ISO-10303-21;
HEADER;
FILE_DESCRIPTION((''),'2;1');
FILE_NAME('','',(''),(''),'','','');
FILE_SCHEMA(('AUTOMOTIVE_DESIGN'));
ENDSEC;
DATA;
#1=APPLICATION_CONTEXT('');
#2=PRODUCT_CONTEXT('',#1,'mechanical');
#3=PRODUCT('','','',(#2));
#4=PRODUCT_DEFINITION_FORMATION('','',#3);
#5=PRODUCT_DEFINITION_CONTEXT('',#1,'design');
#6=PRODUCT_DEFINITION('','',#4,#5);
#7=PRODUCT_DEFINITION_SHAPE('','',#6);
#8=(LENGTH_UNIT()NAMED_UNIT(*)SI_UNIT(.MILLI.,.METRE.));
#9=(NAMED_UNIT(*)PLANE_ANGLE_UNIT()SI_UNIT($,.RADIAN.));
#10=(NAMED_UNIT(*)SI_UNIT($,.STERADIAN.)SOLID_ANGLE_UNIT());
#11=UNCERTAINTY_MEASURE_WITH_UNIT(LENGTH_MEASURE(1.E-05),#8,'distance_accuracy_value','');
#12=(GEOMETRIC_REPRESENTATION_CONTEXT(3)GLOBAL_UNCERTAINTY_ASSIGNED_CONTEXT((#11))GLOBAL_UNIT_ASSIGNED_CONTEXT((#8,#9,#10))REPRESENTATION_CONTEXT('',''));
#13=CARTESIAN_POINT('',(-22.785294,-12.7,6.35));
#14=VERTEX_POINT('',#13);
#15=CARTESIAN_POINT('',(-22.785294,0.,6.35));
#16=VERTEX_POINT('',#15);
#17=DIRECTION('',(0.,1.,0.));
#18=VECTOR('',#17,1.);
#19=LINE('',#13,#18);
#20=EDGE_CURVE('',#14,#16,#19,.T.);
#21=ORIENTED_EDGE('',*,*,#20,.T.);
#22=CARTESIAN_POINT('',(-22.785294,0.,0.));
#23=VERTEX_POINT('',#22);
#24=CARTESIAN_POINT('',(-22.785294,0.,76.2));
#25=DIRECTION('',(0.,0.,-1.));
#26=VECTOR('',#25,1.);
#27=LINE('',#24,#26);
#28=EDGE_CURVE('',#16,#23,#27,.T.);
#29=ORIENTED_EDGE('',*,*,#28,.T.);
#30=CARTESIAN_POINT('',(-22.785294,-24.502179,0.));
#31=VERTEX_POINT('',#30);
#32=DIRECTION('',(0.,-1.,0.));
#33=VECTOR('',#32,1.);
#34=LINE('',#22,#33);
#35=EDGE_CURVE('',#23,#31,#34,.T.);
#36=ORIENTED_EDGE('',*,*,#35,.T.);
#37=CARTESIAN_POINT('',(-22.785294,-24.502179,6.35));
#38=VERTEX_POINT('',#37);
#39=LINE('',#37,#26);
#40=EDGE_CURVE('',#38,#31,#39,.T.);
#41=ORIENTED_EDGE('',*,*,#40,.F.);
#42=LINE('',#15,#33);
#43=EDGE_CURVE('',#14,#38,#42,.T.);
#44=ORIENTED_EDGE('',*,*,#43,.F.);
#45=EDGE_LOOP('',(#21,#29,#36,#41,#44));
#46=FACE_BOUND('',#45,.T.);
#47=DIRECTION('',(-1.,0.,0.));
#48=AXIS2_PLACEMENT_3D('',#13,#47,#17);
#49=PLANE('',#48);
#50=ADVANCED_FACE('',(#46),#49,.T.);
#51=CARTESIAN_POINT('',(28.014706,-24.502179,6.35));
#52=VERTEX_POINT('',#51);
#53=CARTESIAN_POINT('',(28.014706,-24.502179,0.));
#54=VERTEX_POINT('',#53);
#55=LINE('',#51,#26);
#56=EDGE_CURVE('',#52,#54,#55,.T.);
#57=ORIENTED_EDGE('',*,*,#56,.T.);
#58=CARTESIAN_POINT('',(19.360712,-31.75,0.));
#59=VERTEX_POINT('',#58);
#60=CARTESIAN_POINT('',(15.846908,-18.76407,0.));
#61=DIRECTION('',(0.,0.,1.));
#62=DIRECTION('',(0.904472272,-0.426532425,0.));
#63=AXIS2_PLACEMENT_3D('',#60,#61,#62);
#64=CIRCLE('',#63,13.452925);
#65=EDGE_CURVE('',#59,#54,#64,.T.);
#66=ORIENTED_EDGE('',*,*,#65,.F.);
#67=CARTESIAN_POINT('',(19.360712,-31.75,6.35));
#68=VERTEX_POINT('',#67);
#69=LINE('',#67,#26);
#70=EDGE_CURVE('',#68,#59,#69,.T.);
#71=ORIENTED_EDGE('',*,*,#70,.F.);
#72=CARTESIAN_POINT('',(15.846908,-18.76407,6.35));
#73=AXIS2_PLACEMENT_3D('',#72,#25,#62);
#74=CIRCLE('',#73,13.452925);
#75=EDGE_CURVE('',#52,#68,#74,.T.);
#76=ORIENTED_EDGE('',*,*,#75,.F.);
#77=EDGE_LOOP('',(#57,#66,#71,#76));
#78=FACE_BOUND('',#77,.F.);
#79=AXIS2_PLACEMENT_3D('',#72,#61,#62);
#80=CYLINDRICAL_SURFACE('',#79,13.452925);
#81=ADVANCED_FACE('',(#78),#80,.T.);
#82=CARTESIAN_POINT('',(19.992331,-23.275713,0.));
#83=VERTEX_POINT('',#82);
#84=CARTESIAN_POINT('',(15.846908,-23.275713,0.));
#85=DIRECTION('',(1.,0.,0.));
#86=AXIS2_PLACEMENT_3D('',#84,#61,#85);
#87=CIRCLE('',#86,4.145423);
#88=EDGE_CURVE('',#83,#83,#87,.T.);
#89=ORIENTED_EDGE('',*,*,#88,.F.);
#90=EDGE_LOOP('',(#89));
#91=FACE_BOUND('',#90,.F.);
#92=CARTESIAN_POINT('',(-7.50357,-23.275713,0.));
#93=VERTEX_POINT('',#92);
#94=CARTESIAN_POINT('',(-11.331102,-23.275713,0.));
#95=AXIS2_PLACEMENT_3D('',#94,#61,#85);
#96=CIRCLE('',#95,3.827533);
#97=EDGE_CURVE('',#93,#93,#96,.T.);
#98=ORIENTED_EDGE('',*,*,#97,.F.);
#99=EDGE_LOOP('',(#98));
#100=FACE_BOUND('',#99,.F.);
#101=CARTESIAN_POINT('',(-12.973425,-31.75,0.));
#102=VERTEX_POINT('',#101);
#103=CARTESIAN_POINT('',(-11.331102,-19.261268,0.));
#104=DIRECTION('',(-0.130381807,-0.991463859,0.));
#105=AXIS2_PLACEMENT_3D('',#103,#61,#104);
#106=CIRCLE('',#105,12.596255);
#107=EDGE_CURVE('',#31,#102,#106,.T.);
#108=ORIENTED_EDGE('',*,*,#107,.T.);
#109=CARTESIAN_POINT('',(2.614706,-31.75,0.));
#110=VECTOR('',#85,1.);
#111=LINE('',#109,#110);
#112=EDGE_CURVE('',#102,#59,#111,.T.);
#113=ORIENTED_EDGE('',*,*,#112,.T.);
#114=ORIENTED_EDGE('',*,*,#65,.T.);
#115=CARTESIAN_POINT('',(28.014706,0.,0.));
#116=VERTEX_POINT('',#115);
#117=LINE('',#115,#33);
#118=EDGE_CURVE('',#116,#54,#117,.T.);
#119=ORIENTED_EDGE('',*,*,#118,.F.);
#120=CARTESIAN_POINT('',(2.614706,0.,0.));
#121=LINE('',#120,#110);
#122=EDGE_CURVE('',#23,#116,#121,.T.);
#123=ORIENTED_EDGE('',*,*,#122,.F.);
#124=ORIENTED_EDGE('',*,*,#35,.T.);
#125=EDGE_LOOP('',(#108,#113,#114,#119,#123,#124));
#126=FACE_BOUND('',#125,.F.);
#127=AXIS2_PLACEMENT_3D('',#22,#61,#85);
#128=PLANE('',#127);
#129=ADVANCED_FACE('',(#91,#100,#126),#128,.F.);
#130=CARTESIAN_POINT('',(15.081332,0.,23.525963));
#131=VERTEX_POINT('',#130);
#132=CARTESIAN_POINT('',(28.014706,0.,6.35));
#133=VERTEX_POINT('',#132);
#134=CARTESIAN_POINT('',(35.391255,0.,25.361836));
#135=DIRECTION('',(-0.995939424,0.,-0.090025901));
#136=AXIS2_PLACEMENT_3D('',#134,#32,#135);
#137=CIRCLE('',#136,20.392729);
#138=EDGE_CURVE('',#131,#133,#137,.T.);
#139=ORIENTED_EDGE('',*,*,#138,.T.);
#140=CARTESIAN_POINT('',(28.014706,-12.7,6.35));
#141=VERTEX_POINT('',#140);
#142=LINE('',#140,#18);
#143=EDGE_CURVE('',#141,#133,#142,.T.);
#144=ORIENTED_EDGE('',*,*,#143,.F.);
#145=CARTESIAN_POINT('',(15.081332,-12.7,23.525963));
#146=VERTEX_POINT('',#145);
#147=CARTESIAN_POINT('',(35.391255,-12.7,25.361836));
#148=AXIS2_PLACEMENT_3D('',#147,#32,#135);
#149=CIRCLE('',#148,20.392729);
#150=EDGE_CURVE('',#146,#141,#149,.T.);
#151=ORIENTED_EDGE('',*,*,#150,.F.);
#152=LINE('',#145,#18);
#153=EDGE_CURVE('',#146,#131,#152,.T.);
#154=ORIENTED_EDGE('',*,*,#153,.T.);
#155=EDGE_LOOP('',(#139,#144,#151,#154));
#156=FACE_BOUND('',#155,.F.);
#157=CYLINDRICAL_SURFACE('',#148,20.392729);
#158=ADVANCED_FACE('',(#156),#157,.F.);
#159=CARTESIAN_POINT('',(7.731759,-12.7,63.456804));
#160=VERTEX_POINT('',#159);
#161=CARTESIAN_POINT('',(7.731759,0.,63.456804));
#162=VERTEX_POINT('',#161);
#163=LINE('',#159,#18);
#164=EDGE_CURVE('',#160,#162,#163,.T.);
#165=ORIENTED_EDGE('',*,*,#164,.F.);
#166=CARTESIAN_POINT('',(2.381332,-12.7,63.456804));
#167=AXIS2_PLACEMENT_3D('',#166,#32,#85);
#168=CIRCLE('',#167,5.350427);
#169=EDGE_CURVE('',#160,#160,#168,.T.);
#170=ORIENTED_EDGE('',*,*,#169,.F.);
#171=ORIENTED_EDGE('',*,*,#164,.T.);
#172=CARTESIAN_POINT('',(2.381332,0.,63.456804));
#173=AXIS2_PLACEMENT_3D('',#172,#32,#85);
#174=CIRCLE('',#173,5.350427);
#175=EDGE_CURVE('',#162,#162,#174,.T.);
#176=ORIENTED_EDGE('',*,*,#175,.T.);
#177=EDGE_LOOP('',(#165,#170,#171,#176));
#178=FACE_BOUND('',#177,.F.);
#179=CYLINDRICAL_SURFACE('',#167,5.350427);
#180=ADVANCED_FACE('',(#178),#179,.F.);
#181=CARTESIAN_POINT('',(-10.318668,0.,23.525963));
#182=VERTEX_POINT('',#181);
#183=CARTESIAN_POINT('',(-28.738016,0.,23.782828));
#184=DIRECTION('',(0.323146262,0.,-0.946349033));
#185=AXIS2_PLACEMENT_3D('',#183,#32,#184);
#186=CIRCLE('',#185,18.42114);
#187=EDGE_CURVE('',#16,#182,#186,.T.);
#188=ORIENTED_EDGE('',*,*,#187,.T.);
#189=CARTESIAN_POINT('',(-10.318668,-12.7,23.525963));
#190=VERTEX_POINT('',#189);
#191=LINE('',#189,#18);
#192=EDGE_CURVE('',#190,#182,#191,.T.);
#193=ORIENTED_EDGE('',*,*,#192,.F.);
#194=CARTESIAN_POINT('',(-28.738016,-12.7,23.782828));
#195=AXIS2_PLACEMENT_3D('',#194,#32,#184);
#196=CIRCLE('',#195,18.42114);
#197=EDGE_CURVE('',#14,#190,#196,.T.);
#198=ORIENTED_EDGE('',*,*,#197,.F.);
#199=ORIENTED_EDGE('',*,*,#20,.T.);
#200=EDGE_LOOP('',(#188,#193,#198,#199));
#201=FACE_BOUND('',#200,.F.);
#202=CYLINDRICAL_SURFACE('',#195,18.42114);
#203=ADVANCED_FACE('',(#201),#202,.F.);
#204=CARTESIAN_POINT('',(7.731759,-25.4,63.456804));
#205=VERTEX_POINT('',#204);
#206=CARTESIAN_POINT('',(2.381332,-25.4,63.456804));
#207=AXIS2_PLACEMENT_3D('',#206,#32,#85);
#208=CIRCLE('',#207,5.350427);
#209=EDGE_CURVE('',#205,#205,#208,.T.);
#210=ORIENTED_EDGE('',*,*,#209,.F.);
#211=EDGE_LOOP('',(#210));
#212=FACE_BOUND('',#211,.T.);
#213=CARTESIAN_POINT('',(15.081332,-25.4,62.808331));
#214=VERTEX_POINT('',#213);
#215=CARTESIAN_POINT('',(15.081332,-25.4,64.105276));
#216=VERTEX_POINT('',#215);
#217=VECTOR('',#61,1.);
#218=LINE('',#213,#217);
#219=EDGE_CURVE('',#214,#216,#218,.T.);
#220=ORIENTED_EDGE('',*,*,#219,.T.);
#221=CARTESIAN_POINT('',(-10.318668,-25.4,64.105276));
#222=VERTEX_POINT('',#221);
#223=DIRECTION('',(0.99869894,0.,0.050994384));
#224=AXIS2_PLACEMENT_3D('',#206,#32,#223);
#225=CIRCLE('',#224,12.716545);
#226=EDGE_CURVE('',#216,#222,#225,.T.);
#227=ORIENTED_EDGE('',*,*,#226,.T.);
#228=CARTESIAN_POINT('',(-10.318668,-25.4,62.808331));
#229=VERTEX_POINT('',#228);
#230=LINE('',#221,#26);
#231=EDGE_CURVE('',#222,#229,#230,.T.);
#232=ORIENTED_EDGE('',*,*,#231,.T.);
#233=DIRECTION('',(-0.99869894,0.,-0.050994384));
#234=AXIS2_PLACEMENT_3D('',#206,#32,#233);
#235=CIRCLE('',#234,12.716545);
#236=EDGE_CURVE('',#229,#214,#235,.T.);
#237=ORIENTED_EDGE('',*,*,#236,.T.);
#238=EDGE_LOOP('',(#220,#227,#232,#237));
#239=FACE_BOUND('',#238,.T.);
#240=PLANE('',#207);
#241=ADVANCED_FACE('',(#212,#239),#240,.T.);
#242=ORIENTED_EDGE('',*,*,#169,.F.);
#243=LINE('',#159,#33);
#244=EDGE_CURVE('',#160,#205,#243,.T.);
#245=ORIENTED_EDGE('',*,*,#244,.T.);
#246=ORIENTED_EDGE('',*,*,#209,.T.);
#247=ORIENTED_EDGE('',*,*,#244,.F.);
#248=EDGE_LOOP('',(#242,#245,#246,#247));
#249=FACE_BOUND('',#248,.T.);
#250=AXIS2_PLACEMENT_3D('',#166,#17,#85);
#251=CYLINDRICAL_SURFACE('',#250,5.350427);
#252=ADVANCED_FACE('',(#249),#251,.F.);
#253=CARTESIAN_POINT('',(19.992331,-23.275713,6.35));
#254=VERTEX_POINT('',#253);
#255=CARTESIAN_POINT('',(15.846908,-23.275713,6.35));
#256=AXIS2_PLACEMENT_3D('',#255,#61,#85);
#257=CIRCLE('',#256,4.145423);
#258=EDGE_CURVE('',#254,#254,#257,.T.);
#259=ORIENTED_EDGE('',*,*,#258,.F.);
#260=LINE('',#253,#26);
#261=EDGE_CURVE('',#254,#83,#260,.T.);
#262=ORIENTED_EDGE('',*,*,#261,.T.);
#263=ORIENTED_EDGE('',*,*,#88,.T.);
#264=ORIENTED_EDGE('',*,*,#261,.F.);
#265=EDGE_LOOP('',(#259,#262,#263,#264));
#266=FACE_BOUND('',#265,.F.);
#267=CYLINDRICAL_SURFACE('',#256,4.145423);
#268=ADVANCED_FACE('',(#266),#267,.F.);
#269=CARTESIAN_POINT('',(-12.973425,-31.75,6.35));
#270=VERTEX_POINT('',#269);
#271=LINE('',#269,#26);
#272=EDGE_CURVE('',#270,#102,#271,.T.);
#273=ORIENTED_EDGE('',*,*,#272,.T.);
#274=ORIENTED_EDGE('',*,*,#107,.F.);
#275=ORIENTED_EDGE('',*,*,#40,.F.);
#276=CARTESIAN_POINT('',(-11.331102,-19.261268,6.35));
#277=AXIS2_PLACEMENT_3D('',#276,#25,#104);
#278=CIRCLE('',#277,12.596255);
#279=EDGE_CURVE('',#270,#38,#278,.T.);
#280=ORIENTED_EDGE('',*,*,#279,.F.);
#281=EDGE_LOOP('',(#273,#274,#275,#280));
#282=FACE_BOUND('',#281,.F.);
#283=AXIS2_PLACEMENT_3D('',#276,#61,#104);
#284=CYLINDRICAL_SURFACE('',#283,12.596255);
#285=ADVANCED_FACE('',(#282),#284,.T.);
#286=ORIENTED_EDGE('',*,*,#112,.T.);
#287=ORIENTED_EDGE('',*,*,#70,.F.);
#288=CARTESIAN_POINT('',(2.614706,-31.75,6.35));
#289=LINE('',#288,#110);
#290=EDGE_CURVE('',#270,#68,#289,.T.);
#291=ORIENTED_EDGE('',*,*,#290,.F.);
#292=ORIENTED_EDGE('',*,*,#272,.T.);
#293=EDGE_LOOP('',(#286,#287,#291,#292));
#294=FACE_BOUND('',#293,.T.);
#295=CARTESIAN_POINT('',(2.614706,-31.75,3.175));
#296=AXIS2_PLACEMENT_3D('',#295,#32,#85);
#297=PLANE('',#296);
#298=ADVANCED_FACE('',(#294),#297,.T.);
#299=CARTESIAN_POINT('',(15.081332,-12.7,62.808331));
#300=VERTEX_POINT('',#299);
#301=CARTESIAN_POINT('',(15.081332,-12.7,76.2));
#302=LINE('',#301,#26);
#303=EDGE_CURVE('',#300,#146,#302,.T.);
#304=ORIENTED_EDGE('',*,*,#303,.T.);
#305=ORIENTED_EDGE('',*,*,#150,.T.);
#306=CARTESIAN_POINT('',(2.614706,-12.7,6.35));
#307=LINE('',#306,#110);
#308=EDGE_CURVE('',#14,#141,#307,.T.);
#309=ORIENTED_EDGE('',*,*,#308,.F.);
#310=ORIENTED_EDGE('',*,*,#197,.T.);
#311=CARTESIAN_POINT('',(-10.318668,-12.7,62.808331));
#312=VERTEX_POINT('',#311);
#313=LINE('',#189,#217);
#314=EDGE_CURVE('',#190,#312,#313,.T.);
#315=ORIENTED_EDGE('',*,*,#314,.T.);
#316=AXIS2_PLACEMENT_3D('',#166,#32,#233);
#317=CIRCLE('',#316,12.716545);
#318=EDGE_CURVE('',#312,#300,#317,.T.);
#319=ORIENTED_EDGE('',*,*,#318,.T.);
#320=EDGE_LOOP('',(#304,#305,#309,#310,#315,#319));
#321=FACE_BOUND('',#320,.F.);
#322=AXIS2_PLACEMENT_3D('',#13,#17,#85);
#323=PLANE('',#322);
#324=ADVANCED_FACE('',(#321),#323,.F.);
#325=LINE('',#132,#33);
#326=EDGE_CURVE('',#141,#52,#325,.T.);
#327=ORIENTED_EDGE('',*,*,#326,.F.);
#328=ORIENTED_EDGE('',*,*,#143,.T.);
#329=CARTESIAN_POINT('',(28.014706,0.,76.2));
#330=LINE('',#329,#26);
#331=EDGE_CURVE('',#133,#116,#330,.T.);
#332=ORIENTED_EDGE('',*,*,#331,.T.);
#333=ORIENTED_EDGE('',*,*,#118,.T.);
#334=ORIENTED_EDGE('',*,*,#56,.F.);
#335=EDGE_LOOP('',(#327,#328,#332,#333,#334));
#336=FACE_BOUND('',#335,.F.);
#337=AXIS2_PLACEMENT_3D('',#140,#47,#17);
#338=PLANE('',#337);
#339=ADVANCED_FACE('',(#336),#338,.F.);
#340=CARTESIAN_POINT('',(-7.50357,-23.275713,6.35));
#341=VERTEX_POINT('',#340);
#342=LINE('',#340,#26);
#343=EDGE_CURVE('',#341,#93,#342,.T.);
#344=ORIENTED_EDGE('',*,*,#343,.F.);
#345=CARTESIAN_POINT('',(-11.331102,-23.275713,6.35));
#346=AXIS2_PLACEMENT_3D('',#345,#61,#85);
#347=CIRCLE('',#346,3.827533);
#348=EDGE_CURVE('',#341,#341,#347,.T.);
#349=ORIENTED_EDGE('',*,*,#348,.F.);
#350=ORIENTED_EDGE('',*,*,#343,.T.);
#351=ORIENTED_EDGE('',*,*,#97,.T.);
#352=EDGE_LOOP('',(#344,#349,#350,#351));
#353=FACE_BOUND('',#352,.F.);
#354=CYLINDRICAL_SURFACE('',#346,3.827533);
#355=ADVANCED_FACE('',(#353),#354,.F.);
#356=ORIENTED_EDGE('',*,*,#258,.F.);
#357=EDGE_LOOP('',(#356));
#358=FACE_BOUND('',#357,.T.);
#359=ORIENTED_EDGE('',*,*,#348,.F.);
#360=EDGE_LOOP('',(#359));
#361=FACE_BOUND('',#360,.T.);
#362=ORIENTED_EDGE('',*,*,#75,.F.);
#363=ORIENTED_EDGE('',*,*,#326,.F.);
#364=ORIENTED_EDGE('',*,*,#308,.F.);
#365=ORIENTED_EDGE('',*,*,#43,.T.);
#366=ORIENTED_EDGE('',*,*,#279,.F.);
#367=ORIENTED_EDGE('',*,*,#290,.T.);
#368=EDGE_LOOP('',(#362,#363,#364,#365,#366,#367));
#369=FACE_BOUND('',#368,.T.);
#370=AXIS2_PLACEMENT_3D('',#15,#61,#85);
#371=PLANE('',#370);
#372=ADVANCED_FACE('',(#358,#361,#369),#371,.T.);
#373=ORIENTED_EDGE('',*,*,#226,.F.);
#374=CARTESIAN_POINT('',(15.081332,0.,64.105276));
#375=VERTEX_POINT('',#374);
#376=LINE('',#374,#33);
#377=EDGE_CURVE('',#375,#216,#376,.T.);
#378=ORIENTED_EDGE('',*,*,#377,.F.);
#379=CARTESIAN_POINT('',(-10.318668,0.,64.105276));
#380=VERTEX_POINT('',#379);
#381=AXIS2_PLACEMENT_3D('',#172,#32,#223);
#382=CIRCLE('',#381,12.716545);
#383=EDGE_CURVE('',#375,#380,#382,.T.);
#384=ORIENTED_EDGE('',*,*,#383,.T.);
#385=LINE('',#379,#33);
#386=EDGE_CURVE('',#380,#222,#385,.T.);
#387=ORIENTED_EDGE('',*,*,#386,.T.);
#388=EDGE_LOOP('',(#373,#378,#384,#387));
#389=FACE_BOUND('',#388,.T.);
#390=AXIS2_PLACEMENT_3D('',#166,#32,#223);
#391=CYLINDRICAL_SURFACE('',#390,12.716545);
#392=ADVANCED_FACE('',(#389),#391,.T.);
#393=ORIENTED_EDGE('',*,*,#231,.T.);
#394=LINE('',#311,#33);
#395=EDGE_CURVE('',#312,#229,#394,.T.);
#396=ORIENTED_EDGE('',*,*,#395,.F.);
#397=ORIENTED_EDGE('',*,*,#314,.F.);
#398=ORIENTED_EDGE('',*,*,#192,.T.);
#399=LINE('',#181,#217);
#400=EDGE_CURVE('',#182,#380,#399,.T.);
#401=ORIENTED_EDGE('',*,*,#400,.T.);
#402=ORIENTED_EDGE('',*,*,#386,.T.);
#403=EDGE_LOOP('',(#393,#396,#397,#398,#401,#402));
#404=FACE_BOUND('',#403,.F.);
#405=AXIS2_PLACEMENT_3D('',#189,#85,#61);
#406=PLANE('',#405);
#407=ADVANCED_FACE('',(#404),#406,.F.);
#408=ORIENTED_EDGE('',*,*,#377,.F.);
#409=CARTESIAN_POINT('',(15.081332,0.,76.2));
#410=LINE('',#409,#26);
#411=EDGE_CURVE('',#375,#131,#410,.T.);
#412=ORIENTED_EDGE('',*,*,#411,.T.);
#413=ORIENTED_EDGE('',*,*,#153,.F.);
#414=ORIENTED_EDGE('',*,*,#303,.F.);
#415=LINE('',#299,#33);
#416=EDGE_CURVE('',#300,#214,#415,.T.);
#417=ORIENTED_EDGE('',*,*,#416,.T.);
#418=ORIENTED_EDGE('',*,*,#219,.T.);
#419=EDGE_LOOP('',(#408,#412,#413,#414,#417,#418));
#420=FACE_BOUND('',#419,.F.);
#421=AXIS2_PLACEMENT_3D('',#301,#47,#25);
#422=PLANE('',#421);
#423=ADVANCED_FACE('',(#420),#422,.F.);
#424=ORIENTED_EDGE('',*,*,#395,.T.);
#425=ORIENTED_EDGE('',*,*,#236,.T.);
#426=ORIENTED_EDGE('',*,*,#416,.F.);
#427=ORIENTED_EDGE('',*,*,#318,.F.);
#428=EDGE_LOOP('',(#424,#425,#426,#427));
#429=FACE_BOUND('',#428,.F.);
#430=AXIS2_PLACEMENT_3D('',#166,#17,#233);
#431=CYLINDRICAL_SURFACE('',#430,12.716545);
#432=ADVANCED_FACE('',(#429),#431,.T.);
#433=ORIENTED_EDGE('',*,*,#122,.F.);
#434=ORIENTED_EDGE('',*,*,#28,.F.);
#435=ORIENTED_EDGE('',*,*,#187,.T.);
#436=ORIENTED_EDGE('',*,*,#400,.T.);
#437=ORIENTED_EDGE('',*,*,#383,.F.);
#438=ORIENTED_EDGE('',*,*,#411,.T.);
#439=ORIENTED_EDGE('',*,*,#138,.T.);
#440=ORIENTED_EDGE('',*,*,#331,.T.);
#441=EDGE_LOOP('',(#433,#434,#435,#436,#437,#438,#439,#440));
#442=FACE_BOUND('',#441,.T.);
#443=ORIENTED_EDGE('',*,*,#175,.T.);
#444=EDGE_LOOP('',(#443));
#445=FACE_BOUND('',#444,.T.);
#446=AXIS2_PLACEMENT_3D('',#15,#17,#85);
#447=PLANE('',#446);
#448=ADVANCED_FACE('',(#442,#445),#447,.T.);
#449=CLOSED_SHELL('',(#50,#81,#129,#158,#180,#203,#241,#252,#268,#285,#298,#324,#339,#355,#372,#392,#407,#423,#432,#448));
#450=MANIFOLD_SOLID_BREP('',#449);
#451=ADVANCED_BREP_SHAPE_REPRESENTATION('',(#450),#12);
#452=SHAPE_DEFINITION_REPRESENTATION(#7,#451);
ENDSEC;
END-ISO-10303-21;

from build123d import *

# Parameters (mm, degrees)
F0_W      = 50.8
F0_H      = 6.35
F1_DEPTH  = 31.75
F2_W      = 50.8
F2_H      = 12.7
F3_DEPTH  = 69.85
F4_R      = 4.1454227759
F4_R_2    = 3.8275327049
F5_DEPTH  = 12.7
F7_DEPTH  = 12.7
F8_R      = 5.3504269389
F9_DEPTH  = 12.7
F10_DEPTH = 12.7


with BuildPart() as f1:
    # F0 (on Front) → F1 (new body)
    with BuildSketch(Plane.XZ):
        with Locations((2.6147060619, 3.175)):
            Rectangle(F0_W, F0_H)
    extrude(amount=F1_DEPTH)

    # F2 (on face) → F3 (join)
    with BuildSketch(Plane.XY.offset(6.35)):
        with Locations((2.6147060619, -6.35)):
            Rectangle(F2_W, F2_H)
    extrude(amount=F3_DEPTH)

    # F4 (on face) → F5 (cut)
    with BuildSketch(Plane.XY.offset(6.35)):
        with Locations((15.8469081592, -23.275712505)):
            Circle(F4_R)
        with Locations((-11.3311024653, -23.275712505)):
            Circle(F4_R_2)
        with BuildLine():
            ThreePointArc((-12.9734249786, -31.75), (-18.8152455834, -29.3930620602), (-22.7852939381, -24.5021786541))
            Line((-22.7852939381, -24.5021786541), (-22.7852939381, -31.75))
            Line((-22.7852939381, -31.75), (-12.9734249786, -31.75))
        make_face()
        with BuildLine():
            ThreePointArc((28.0147060619, -24.5021786541), (24.4846674342, -29.0776682905), (19.3607117981, -31.75))
            Line((19.3607117981, -31.75), (28.0147060619, -31.75))
            Line((28.0147060619, -31.75), (28.0147060619, -24.5021786541))
        make_face()
    extrude(amount=-F5_DEPTH, mode=Mode.SUBTRACT)

    # F6 (on face) → F7 (cut)
    with BuildSketch(Plane.XZ.offset(12.7)):
        with BuildLine():
            Line((-22.7852939381, 76.2), (-22.7852939381, 6.35))
            ThreePointArc((-22.7852939381, 6.35), (-13.8298680574, 12.9622223367), (-10.3186676279, 23.5259626061))
            Line((-10.3186676279, 23.5259626061), (-10.3186676279, 76.2))
            Line((-10.3186676279, 76.2), (-22.7852939381, 76.2))
        make_face()
        with BuildLine():
            ThreePointArc((15.0813323721, 23.5259626061), (19.1005030761, 13.0950196253), (28.0147060619, 6.35))
            Line((28.0147060619, 6.35), (28.0147060619, 76.2))
            Line((28.0147060619, 76.2), (15.0813323721, 76.2))
            Line((15.0813323721, 76.2), (15.0813323721, 23.5259626061))
        make_face()
    extrude(amount=-F7_DEPTH, mode=Mode.SUBTRACT)

    # F8 (on face) → F9 (join)
    with BuildSketch(Plane.XZ.offset(12.7)):
        with BuildLine():
            Line((15.0813323721, 62.8083311773), (15.0813323721, 64.1052759432))
            ThreePointArc((15.0813323721, 64.1052759432), (2.3813323721, 76.1733485482), (-10.3186676279, 64.1052759432))
            Line((-10.3186676279, 64.1052759432), (-10.3186676279, 62.8083311773))
            ThreePointArc((-10.3186676279, 62.8083311773), (2.3813323721, 50.7402585723), (15.0813323721, 62.8083311773))
        make_face()
        with Locations((2.3813323721, 63.4568035603)):
            Circle(F8_R, mode=Mode.SUBTRACT)
    extrude(amount=F9_DEPTH)

    # F10 (cut): faces of the model
    f10_faces = [f1.faces().sort_by_distance(p)[0] for p in [
        (14.8000065201, -12.7, 70.1526379716),
        (2.3813323721, -12.7, 63.4568035603),
    ]]
    extrude(f10_faces, amount=-F10_DEPTH, mode=Mode.SUBTRACT)


solid = f1.part
